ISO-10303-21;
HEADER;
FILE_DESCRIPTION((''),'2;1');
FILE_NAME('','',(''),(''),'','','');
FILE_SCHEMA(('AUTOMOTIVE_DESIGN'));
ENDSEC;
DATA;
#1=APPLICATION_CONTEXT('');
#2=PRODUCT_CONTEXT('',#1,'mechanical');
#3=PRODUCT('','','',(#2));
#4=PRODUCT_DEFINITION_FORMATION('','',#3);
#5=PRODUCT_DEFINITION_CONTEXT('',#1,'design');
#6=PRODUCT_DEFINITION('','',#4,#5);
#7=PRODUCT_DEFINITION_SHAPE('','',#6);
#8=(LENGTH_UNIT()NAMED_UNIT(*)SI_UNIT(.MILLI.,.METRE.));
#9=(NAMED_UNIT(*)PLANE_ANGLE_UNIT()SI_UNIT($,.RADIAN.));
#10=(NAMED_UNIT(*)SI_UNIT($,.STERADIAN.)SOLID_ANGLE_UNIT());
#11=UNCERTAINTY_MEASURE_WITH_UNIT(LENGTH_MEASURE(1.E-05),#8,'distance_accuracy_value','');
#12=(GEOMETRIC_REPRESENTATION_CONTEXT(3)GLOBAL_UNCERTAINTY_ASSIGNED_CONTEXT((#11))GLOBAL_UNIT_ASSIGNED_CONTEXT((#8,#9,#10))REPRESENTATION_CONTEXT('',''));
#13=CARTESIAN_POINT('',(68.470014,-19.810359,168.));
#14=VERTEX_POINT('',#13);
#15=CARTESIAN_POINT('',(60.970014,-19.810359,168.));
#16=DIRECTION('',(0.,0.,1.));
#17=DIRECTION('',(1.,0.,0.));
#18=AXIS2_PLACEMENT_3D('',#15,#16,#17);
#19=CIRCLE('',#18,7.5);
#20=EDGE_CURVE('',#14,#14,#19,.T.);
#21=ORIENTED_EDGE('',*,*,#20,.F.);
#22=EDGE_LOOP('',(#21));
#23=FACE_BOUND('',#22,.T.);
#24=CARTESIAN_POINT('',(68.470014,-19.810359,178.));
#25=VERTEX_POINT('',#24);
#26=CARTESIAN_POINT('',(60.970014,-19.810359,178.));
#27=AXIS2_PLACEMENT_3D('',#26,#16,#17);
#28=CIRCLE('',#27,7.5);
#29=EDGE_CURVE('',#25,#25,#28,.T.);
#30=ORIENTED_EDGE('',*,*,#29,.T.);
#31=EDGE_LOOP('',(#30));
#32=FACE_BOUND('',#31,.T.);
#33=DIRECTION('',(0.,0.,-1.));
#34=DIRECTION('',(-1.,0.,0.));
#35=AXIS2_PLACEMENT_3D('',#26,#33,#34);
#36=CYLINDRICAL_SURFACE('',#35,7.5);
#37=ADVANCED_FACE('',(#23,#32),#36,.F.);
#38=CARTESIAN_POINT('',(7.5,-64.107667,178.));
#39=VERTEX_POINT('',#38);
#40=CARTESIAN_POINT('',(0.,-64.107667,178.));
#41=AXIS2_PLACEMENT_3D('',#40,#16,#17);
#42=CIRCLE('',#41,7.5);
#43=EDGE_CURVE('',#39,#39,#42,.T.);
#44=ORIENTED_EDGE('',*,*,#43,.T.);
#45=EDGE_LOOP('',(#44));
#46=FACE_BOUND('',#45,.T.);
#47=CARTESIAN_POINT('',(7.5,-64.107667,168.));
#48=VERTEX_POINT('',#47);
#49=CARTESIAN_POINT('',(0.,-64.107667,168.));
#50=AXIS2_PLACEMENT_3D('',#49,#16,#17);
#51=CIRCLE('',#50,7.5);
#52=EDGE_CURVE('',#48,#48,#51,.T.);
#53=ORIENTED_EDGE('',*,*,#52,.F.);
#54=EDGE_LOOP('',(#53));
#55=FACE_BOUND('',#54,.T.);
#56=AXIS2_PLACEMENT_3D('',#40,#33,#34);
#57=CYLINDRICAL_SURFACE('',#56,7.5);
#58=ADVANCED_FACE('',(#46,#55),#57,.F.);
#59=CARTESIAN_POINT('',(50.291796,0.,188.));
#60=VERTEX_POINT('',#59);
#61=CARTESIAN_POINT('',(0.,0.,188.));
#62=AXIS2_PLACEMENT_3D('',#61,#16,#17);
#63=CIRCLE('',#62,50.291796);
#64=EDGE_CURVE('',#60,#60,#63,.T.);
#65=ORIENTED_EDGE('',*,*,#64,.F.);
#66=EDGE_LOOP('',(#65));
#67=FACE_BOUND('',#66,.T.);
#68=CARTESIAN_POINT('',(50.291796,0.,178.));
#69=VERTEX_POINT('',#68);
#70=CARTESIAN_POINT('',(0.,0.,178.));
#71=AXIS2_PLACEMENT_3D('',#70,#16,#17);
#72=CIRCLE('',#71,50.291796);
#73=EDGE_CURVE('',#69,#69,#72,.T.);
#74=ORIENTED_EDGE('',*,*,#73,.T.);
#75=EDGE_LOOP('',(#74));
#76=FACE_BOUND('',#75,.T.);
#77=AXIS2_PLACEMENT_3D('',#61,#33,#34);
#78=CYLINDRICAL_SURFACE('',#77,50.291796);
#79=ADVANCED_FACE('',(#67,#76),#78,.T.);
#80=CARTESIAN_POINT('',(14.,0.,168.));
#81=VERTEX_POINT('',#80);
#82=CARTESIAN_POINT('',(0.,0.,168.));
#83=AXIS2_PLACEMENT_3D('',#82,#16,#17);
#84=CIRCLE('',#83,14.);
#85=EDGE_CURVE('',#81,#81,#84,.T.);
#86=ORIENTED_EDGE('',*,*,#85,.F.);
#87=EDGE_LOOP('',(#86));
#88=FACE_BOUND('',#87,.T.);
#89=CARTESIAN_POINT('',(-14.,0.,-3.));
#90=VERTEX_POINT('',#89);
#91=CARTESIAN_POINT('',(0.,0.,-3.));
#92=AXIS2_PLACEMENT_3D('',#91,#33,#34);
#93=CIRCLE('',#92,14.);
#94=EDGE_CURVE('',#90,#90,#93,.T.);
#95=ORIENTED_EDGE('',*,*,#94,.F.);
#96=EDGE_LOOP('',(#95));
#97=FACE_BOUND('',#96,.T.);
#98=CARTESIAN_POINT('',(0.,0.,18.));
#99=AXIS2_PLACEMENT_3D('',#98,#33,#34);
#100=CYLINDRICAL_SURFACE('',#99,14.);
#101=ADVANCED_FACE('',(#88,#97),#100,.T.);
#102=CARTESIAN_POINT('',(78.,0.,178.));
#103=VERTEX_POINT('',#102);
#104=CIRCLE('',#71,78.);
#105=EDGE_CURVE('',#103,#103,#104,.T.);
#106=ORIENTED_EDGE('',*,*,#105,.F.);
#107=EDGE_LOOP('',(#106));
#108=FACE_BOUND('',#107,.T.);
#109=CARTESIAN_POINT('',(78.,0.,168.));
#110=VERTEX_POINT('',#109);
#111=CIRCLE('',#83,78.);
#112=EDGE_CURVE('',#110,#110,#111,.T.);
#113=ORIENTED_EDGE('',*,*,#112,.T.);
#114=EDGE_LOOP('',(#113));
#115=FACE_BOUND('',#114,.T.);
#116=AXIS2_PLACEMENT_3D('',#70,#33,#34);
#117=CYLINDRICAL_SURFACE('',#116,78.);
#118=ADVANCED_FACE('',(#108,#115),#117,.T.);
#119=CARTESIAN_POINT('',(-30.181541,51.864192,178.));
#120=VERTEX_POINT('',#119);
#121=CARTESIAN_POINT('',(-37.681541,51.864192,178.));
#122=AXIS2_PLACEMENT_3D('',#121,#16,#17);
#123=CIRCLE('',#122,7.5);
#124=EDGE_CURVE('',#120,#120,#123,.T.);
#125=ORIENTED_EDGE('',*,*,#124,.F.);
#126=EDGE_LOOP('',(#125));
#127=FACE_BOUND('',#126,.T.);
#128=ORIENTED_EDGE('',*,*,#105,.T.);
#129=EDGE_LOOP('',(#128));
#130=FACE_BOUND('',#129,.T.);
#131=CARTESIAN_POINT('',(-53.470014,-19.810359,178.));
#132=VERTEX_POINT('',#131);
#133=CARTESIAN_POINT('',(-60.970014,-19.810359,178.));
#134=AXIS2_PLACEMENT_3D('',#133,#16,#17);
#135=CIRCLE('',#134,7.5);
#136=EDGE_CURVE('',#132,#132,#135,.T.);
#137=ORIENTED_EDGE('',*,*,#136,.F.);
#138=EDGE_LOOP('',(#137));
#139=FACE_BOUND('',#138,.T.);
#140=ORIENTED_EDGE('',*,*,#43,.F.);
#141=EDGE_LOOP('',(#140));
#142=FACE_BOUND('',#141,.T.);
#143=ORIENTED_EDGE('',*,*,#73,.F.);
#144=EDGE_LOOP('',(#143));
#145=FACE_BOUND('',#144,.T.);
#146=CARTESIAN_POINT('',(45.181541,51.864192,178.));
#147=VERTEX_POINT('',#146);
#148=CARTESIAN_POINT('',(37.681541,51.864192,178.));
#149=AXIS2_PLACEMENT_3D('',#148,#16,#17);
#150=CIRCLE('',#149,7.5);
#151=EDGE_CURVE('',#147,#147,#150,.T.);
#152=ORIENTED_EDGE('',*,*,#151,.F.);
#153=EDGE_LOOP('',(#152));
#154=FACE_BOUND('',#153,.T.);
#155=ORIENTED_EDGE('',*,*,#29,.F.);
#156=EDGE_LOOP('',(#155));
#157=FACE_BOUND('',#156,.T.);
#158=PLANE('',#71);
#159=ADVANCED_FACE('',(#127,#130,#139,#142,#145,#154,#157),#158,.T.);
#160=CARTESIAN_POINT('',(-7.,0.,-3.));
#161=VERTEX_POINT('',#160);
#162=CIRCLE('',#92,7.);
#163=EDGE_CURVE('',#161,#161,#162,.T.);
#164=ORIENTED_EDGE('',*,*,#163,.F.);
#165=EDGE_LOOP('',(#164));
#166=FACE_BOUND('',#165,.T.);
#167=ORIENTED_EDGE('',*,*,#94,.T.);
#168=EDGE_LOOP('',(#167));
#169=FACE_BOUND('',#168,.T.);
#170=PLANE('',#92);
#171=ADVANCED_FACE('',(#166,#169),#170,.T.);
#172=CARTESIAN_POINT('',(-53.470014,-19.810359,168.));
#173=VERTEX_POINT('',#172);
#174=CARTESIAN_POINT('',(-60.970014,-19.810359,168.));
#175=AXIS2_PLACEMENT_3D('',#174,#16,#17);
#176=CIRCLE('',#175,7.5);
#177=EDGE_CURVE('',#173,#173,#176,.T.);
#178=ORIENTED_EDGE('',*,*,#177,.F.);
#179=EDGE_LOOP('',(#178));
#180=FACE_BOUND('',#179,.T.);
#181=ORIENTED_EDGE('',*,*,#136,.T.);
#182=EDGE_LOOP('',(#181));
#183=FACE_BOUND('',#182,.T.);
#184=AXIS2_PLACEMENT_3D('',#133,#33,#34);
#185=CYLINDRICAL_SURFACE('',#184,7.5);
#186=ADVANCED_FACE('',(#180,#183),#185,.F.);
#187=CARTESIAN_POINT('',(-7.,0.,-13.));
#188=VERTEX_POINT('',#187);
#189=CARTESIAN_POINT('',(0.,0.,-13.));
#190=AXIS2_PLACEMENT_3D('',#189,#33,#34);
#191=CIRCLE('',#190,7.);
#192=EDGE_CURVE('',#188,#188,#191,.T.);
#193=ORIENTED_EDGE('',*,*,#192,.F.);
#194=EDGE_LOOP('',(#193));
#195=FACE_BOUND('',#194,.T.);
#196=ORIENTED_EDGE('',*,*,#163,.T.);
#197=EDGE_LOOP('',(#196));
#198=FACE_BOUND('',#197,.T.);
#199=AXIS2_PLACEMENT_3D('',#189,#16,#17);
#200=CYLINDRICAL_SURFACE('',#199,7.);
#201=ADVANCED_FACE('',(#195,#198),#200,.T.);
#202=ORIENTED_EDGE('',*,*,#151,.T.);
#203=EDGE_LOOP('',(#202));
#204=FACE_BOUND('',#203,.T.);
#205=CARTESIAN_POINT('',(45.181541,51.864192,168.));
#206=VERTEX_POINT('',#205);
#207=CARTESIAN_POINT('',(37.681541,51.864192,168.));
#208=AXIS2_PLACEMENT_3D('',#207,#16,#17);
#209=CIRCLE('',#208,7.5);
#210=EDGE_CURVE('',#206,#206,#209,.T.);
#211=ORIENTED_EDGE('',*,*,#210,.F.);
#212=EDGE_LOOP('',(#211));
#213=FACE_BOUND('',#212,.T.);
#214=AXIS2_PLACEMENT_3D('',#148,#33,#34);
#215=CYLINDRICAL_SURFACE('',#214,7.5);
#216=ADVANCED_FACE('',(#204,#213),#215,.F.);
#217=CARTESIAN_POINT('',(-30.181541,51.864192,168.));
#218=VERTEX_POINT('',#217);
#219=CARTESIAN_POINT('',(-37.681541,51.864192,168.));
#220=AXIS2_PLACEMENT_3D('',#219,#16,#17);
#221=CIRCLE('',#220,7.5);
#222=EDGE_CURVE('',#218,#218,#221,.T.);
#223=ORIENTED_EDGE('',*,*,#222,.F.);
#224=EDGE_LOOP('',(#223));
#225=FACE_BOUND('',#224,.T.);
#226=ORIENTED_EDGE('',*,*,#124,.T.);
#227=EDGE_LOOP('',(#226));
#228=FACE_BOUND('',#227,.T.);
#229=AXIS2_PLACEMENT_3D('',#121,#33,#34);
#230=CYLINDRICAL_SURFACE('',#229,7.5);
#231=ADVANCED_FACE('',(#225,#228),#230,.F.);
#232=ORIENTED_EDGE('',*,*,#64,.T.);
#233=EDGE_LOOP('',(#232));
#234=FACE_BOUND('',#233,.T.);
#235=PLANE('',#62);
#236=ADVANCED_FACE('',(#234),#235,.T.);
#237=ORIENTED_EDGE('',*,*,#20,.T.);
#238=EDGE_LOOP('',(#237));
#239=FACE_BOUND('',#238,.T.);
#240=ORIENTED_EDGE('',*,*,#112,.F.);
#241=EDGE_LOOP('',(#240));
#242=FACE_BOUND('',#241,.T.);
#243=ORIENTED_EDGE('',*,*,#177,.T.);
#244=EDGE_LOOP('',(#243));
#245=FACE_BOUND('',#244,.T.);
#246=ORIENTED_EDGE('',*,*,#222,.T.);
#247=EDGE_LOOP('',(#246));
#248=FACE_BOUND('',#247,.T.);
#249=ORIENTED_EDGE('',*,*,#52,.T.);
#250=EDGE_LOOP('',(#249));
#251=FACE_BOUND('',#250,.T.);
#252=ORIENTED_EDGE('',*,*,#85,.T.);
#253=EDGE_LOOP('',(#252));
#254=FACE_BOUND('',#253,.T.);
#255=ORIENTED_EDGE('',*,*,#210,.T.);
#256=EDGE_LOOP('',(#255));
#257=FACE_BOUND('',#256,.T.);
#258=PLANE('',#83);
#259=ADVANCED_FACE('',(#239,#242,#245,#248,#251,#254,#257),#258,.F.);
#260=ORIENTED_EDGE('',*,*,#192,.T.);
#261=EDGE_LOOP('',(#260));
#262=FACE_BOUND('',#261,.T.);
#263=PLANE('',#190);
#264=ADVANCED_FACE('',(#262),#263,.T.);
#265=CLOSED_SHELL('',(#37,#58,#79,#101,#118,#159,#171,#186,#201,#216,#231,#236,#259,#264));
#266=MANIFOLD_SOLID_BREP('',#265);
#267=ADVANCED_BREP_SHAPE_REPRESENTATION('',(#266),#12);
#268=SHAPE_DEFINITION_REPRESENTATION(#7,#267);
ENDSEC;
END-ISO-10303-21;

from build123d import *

# Parameters (mm, degrees)
SKETCH1_R            = 14
BOSS_EXTRUDE2_DEPTH  = 18
BOSS_EXTRUDE7_START  = 3
SKETCH8_R            = 14
BOSS_EXTRUDE7_DEPTH  = 3
SKETCH12_R           = 14
BOSS_EXTRUDE11_DEPTH = 150
SKETCH13_R           = 7
BOSS_EXTRUDE12_DEPTH = 10
SKETCH14_R           = 78
SKETCH14_R_2         = 7.5
BOSS_EXTRUDE13_DEPTH = 10
SKETCH15_R           = 50.291796038
BOSS_EXTRUDE14_DEPTH = 10


with BuildPart() as part:
    # Sketch1 → Boss-Extrude2 (new body)
    with BuildSketch(Plane.XY):
        Circle(SKETCH1_R)
    extrude(amount=BOSS_EXTRUDE2_DEPTH)

    # Sketch8 → Boss-Extrude7 (add)
    with BuildSketch(Plane(origin=(0, 0, 0), x_dir=(-1, 0, 0), z_dir=(0, 0, -1)).offset(BOSS_EXTRUDE7_START)):
        Circle(SKETCH8_R)
    extrude(amount=-BOSS_EXTRUDE7_DEPTH)

    # Sketch12 → Boss-Extrude11 (add)
    with BuildSketch(Plane.XY.offset(18)):
        with Locations(Location((0, 0, 0), (0, 0, 180))):
            Circle(SKETCH12_R)
    extrude(amount=BOSS_EXTRUDE11_DEPTH)

    # Sketch13 → Boss-Extrude12 (add)
    with BuildSketch(Plane(origin=(0, 0, -3), x_dir=(-1, 0, 0), z_dir=(0, 0, -1))):
        Circle(SKETCH13_R)
    extrude(amount=BOSS_EXTRUDE12_DEPTH)

    # Sketch14 → Boss-Extrude13 (add)
    with BuildSketch(Plane.XY.offset(168)):
        Circle(SKETCH14_R)
        with Locations((0, -64.10766693)):
            Circle(SKETCH14_R_2, mode=Mode.SUBTRACT)
        with Locations((-60.970014378, -19.810358551)):
            Circle(SKETCH14_R_2, mode=Mode.SUBTRACT)
        with Locations((-37.68154118, 51.864192016)):
            Circle(SKETCH14_R_2, mode=Mode.SUBTRACT)
        with Locations((37.68154118, 51.864192016)):
            Circle(SKETCH14_R_2, mode=Mode.SUBTRACT)
        with Locations((60.970014378, -19.810358551)):
            Circle(SKETCH14_R_2, mode=Mode.SUBTRACT)
    extrude(amount=BOSS_EXTRUDE13_DEPTH)

    # Sketch15 → Boss-Extrude14 (add)
    with BuildSketch(Plane.XY.offset(178)):
        Circle(SKETCH15_R)
    extrude(amount=BOSS_EXTRUDE14_DEPTH)


solid = part.part
